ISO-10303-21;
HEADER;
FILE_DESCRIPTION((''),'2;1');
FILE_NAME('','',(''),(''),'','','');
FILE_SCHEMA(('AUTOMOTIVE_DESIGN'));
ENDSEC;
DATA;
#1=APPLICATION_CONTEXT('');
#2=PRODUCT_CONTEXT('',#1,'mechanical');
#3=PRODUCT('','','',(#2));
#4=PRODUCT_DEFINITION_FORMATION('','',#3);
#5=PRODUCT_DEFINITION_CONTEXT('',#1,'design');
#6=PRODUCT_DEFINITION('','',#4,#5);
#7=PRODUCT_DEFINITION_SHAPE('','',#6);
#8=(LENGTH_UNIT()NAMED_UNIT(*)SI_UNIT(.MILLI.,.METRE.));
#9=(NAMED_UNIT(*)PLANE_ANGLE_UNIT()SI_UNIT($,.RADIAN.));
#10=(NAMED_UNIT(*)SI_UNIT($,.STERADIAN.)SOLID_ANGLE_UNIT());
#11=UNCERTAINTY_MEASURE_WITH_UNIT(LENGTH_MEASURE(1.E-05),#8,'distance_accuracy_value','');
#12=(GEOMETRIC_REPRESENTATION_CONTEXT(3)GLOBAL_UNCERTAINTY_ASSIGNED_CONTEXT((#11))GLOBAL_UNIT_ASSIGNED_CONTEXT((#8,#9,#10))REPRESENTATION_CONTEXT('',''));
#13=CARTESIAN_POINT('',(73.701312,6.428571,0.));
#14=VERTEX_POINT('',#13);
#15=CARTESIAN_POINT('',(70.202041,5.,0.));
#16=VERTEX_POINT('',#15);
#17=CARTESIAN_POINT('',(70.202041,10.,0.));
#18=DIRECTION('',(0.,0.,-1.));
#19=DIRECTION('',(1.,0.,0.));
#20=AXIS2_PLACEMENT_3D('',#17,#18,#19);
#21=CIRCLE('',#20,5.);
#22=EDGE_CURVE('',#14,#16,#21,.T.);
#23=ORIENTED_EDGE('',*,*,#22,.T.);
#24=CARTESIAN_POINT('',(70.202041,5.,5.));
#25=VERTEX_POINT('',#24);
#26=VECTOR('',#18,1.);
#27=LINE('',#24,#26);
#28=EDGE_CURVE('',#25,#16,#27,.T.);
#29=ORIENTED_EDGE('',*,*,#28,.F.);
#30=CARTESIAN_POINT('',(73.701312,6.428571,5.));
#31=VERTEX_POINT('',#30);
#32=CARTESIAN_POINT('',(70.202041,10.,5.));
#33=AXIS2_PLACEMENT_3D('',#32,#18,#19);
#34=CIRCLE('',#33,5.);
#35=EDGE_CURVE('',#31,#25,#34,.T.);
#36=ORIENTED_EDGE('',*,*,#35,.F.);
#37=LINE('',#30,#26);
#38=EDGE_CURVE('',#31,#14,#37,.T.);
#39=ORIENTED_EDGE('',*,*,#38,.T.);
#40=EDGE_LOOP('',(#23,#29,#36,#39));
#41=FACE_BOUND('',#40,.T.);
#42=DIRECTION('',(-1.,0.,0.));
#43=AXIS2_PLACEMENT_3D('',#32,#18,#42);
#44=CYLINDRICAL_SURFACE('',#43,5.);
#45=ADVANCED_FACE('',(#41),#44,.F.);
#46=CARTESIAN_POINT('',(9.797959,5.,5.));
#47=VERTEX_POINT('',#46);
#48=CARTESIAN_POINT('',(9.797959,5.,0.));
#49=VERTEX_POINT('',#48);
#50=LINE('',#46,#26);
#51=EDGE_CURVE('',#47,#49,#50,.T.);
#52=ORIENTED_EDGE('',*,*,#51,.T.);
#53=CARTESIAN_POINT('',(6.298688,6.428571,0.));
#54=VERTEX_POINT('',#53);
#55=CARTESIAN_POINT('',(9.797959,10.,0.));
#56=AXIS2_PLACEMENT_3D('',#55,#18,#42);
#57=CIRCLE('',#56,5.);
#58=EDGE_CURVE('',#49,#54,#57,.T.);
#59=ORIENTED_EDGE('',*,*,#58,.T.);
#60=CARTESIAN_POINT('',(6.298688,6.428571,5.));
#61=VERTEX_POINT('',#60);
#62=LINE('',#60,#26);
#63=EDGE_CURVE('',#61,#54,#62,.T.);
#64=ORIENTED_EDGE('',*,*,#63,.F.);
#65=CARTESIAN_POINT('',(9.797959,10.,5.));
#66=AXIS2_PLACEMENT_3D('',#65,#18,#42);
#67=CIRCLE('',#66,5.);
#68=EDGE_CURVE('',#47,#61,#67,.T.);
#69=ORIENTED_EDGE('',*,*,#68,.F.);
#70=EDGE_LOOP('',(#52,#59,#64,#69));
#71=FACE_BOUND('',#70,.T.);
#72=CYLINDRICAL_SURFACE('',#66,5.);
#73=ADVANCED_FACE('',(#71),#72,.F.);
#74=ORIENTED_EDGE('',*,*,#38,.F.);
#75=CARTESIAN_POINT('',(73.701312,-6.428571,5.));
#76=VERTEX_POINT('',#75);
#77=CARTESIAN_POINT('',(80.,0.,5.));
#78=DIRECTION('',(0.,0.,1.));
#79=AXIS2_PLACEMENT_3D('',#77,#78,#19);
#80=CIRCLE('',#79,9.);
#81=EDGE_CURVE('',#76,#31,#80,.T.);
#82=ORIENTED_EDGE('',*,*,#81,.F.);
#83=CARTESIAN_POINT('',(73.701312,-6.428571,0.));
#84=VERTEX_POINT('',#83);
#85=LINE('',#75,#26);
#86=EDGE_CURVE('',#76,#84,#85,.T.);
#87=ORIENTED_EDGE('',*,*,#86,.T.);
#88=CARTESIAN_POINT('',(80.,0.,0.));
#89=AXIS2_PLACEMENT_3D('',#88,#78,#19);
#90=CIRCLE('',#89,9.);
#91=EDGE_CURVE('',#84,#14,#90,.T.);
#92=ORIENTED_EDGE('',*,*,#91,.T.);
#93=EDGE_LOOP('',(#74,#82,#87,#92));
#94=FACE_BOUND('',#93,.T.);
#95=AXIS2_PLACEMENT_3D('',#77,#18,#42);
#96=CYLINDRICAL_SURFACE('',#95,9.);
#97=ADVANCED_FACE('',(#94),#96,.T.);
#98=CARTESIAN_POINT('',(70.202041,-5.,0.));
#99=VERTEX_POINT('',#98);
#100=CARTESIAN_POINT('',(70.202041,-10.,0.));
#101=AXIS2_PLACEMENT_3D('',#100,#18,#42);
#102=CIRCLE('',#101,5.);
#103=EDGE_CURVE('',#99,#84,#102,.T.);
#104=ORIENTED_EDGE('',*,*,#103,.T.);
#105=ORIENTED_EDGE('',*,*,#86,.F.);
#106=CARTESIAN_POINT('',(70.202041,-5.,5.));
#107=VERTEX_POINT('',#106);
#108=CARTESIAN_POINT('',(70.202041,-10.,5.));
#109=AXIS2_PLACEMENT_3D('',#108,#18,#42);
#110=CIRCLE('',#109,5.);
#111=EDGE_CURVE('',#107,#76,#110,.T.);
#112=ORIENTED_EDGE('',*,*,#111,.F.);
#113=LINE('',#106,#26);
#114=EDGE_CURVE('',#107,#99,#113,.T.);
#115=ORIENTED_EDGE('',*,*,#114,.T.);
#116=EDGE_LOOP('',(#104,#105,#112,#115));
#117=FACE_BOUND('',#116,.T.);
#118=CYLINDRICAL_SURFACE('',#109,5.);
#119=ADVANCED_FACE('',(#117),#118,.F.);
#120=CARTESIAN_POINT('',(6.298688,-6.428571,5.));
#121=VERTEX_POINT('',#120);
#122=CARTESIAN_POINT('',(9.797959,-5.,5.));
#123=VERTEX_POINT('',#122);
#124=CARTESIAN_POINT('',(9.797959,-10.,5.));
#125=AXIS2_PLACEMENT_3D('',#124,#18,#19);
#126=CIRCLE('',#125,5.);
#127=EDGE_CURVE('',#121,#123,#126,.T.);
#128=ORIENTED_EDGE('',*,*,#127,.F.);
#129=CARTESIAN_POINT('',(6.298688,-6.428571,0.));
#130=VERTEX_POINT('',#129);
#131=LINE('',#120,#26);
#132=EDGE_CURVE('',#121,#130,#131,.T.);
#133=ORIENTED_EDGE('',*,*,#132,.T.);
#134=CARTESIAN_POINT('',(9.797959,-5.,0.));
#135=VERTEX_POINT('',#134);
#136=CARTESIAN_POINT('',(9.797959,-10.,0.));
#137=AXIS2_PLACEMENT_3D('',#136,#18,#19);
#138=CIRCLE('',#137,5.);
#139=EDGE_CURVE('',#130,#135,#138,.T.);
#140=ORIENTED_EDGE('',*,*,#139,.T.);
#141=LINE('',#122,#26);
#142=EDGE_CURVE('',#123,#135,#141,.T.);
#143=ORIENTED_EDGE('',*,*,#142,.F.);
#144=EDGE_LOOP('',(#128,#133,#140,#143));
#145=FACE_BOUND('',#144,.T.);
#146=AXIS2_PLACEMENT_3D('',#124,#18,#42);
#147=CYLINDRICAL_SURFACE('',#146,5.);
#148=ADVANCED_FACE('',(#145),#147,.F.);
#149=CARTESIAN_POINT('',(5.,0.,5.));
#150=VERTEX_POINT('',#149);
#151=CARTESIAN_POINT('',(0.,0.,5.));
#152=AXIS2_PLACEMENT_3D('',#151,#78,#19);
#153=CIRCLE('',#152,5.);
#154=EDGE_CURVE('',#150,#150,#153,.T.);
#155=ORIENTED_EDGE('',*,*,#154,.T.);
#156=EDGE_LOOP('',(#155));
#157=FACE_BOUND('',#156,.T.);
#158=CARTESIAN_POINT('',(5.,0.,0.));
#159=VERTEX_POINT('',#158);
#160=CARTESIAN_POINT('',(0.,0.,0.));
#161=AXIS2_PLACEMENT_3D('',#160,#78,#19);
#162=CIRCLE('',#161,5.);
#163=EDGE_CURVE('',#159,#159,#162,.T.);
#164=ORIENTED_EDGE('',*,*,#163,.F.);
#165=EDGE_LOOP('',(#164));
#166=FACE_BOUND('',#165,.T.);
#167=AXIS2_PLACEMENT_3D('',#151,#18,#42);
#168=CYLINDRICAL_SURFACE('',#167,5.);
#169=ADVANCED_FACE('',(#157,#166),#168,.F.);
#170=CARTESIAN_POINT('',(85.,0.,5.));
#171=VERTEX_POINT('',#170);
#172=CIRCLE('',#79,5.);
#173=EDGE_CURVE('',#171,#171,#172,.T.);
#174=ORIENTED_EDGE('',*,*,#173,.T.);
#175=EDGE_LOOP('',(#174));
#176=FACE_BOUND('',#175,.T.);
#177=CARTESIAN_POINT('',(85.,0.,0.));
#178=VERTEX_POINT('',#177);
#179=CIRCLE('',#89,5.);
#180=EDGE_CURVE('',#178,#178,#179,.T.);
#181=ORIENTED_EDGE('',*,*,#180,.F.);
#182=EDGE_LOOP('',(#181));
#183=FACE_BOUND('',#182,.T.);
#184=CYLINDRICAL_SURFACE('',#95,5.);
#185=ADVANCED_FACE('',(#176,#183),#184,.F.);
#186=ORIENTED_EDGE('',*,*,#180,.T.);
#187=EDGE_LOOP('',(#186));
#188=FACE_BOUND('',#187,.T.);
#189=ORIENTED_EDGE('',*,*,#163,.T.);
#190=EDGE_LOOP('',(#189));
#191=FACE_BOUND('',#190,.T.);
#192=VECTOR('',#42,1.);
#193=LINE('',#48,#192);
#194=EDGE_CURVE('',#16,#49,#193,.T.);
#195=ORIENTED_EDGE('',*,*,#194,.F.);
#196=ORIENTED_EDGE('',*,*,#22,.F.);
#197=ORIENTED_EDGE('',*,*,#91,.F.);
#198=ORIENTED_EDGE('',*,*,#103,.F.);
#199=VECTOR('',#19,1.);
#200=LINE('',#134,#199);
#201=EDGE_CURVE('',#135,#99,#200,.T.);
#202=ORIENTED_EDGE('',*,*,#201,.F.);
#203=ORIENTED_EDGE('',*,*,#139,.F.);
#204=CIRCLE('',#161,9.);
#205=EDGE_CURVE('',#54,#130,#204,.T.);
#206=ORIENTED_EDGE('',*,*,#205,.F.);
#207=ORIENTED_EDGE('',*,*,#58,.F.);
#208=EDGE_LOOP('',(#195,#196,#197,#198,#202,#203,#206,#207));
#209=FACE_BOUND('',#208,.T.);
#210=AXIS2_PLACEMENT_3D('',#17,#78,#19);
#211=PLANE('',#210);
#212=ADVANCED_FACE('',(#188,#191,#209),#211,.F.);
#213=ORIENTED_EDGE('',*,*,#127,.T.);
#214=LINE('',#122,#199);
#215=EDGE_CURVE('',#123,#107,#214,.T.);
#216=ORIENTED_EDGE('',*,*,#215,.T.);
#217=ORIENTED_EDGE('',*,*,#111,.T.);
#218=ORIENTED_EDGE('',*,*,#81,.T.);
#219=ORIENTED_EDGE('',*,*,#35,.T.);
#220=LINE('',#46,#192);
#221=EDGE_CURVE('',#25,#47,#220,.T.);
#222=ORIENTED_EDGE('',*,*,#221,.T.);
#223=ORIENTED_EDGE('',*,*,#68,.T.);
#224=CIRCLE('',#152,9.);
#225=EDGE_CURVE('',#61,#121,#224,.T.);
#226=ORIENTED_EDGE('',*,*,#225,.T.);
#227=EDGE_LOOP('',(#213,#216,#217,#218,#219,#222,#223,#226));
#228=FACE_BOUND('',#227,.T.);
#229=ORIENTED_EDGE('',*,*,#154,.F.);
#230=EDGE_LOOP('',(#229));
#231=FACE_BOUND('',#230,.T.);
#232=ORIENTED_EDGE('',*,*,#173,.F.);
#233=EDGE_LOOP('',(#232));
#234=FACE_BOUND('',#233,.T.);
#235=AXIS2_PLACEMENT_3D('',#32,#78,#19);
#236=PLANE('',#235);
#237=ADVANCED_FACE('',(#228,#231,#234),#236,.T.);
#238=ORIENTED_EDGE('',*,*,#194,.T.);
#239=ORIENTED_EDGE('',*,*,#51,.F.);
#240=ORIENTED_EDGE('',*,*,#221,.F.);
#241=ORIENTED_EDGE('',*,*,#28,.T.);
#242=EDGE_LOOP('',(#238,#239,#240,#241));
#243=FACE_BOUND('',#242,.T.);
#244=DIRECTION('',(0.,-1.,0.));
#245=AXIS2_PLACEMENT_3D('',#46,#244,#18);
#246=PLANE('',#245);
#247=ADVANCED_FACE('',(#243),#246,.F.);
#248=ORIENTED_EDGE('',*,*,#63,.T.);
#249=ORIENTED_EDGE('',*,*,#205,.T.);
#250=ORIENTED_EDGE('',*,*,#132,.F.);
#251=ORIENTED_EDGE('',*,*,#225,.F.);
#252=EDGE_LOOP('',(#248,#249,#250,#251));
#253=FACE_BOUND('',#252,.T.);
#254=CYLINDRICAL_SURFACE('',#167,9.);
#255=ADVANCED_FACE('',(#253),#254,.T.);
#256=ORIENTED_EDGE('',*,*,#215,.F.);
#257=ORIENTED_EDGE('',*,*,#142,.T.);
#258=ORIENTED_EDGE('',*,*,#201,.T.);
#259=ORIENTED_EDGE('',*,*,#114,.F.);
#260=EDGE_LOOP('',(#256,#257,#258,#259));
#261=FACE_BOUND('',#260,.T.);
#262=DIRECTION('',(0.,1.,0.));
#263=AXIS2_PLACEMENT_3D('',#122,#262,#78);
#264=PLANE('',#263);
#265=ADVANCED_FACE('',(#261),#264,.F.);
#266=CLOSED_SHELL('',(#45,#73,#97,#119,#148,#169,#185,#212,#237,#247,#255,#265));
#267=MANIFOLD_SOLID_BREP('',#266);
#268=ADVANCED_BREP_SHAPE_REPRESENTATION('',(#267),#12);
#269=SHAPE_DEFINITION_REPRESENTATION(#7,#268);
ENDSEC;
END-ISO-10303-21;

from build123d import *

# Parameters (mm, degrees)
SKETCH1_R           = 5
BOSS_EXTRUDE1_DEPTH = 5


with BuildPart() as part:
    # Sketch1 → Boss-Extrude1 (new body)
    with BuildSketch(Plane.XY):
        with BuildLine():
            Line((9.797958971, 5), (70.202041029, 5))
            ThreePointArc((70.202041029, 5), (72.091863394, 5.370899501), (73.70131209, 6.428571429))
            ThreePointArc((73.70131209, 6.428571429), (89, 0), (73.70131209, -6.428571429))
            ThreePointArc((73.70131209, -6.428571429), (72.091863394, -5.370899501), (70.202041029, -5))
            Line((70.202041029, -5), (9.797958971, -5))
            ThreePointArc((9.797958971, -5), (7.908136606, -5.370899501), (6.29868791, -6.428571429))
            ThreePointArc((6.29868791, -6.428571429), (-9, 0), (6.29868791, 6.428571429))
            ThreePointArc((6.29868791, 6.428571429), (7.908136606, 5.370899501), (9.797958971, 5))
        make_face()
        Circle(SKETCH1_R, mode=Mode.SUBTRACT)
        with Locations((80, 0)):
            Circle(SKETCH1_R, mode=Mode.SUBTRACT)
    extrude(amount=BOSS_EXTRUDE1_DEPTH)


solid = part.part
